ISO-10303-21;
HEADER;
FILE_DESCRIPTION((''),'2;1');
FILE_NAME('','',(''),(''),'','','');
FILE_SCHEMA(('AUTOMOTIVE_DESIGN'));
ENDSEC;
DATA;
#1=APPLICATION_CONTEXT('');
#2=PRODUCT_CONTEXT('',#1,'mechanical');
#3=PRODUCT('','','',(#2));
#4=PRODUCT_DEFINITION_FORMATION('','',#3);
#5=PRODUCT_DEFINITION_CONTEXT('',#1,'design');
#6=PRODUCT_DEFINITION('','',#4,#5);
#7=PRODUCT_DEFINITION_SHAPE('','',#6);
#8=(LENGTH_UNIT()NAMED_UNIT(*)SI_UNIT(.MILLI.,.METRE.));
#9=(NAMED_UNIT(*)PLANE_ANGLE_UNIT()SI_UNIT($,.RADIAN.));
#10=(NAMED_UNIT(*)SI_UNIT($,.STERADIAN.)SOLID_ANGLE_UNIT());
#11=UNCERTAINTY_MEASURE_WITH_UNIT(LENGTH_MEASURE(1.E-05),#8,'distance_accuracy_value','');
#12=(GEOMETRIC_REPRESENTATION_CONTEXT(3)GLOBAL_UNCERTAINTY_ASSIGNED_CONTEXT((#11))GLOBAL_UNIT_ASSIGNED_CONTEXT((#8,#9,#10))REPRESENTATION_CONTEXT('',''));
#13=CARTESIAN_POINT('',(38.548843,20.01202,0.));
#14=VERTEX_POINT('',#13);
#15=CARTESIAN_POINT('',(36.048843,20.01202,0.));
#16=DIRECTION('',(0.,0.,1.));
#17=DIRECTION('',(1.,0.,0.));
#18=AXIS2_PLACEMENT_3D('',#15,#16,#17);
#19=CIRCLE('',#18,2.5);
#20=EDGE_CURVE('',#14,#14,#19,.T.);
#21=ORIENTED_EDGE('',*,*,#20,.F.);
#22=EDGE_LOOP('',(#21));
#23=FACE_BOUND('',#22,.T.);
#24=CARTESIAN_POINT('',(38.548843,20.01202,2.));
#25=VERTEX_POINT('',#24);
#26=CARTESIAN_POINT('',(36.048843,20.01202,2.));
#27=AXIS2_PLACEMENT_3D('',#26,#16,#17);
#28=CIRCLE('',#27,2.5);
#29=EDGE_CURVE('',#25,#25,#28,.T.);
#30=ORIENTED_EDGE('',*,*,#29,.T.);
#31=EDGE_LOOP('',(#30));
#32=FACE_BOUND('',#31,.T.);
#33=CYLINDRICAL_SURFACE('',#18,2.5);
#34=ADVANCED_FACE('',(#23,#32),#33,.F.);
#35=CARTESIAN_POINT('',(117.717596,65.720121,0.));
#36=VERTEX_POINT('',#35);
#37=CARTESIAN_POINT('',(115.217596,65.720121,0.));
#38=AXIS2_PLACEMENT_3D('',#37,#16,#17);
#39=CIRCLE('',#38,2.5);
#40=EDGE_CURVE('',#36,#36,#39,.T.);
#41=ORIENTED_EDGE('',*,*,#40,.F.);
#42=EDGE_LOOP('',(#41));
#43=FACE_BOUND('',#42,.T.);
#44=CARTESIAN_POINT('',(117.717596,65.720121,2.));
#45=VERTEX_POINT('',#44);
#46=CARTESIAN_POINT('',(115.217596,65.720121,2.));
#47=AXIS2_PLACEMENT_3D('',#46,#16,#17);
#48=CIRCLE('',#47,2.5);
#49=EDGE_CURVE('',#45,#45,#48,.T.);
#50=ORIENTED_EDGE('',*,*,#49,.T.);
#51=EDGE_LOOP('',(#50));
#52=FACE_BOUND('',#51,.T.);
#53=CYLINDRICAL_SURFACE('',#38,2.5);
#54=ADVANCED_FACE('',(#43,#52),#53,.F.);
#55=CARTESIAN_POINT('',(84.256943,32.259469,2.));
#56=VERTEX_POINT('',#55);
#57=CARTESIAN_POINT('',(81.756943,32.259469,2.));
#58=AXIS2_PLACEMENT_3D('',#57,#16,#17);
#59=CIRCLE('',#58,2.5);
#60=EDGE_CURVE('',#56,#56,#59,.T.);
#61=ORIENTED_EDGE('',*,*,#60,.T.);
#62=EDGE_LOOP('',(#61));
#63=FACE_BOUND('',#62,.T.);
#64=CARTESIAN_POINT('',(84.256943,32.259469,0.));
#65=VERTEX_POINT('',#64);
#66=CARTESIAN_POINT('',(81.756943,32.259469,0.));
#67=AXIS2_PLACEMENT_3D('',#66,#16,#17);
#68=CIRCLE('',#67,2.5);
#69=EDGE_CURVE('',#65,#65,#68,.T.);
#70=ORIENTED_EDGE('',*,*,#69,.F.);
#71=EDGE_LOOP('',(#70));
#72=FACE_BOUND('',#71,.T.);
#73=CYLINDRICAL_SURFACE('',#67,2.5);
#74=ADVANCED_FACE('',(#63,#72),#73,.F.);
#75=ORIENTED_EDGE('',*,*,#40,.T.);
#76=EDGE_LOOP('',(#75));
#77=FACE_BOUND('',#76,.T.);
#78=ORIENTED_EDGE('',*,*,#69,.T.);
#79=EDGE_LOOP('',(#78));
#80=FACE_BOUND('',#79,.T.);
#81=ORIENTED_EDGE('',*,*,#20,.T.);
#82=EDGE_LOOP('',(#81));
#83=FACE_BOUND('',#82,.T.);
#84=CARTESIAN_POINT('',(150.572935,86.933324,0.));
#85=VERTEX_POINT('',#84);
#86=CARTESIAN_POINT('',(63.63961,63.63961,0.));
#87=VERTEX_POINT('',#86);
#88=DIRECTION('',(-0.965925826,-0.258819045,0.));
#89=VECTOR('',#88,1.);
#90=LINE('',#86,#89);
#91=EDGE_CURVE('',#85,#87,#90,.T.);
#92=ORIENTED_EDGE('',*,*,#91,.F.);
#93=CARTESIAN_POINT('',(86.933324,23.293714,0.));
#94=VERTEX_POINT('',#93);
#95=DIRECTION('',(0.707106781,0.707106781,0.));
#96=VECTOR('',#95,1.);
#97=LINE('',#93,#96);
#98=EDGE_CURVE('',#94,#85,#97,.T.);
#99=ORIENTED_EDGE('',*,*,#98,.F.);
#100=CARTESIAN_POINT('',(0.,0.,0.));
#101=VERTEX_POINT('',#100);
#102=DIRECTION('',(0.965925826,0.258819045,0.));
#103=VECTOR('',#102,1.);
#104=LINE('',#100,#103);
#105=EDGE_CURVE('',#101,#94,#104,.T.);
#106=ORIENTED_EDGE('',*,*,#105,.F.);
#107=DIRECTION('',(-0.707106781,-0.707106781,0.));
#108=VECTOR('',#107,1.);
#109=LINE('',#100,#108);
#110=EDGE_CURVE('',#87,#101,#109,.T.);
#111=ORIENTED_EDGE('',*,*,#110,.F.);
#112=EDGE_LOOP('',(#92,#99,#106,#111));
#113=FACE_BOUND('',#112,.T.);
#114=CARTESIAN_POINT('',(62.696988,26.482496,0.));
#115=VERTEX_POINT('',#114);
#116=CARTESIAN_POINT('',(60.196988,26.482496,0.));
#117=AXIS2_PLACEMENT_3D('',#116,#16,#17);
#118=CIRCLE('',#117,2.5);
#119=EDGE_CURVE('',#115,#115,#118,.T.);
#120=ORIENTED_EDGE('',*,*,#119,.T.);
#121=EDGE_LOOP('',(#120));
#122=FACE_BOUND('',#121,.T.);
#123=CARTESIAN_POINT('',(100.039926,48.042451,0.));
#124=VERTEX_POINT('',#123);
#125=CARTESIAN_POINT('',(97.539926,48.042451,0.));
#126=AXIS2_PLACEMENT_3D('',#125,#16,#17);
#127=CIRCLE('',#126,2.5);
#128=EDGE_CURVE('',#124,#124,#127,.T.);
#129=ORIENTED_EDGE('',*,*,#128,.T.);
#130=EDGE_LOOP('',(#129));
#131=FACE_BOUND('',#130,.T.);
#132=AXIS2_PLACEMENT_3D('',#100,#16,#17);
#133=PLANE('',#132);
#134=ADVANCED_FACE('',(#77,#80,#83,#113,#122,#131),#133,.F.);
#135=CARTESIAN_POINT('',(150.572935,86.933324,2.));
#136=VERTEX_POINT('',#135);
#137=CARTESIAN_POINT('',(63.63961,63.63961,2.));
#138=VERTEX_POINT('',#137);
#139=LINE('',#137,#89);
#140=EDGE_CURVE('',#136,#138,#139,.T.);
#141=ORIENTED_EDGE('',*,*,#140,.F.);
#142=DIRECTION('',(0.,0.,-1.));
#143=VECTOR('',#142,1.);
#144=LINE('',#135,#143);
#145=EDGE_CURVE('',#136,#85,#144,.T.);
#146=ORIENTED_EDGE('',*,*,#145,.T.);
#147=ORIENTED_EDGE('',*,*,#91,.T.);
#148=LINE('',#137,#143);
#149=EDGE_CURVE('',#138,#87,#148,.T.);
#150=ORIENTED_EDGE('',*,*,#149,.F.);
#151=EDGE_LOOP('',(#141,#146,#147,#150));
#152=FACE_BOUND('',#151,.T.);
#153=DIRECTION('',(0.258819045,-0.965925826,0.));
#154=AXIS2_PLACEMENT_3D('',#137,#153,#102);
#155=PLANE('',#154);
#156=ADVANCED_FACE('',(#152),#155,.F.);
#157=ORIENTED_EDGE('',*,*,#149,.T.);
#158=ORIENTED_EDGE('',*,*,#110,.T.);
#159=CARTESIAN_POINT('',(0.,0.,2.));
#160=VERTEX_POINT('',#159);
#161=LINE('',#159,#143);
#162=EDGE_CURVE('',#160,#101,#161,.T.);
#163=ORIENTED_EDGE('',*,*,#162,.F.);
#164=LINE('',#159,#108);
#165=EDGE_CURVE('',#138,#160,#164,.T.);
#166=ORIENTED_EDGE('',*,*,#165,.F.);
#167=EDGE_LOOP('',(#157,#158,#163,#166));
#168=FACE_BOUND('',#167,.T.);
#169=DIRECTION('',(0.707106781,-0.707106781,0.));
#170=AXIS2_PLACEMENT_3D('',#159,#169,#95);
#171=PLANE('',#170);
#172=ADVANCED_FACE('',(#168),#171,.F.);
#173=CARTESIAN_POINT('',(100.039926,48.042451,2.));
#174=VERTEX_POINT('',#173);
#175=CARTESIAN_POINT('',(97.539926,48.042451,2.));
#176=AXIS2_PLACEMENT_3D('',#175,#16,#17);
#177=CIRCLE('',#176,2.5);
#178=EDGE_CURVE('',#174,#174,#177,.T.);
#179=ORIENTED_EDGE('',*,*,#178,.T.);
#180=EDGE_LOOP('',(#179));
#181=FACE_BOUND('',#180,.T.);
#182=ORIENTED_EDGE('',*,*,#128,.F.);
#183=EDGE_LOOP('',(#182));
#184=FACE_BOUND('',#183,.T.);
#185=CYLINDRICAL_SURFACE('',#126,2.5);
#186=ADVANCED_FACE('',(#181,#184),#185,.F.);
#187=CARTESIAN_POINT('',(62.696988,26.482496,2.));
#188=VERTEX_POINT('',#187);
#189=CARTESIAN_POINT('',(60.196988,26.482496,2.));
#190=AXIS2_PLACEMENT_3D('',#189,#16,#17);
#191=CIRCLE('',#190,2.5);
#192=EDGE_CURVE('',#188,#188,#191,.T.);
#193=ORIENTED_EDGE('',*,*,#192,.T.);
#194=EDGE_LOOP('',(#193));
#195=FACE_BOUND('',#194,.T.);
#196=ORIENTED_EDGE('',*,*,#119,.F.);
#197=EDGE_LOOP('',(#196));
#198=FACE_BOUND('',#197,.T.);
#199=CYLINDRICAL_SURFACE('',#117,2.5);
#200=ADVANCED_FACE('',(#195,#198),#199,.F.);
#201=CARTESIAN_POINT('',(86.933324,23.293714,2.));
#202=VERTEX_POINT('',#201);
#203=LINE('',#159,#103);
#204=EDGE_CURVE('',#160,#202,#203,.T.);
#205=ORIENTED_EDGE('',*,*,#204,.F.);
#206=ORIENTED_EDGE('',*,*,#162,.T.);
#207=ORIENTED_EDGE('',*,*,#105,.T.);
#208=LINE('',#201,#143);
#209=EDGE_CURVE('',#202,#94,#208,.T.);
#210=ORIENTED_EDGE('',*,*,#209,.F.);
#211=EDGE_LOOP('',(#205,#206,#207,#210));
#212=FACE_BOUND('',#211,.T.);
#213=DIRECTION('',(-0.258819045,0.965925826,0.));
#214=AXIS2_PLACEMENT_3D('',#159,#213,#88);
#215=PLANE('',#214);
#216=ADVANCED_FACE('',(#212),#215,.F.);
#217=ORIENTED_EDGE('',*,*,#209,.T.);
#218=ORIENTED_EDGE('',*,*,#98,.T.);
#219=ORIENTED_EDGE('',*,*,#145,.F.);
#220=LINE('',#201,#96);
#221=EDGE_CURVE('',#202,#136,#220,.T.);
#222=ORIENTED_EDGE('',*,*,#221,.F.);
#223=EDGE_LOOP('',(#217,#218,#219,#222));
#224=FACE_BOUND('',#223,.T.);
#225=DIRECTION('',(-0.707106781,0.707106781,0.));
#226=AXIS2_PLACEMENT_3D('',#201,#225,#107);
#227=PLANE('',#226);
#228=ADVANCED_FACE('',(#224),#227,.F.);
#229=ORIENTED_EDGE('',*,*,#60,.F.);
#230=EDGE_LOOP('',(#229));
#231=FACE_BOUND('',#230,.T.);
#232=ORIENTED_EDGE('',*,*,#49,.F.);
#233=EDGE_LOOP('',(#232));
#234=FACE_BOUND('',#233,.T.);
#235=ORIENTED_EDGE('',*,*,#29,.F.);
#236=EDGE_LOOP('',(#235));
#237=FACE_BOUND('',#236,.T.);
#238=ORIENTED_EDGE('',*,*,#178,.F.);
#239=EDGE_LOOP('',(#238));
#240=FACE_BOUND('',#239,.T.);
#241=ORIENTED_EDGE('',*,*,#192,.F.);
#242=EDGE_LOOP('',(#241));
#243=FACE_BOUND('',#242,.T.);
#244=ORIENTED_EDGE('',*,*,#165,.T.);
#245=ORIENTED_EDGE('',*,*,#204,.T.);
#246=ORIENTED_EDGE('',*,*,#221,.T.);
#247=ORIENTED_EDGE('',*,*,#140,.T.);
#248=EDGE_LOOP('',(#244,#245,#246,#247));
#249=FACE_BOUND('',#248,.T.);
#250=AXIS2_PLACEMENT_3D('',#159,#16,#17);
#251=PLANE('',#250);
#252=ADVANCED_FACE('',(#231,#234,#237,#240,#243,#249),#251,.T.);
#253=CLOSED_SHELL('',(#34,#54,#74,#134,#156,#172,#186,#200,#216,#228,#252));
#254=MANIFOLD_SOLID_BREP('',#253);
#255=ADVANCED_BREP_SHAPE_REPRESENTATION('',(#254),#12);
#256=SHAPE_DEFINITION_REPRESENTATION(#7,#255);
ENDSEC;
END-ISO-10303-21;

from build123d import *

# Parameters (mm, degrees)
BOSS_EXTRUDE2_DEPTH = 2
SKETCH7_R           = 2.5
CUT_EXTRUDE6_DEPTH  = 2
SKETCH8_R           = 2.5
CUT_EXTRUDE7_DEPTH  = 2
SKETCH9_R           = 2.5
CUT_EXTRUDE8_DEPTH  = 2
SKETCH10_R          = 2.5
CUT_EXTRUDE9_DEPTH  = 2
CUT_EXTRUDE10_DEPTH = 2


with BuildPart() as part:
    # Sketch1 → Boss-Extrude2 (new body)
    with BuildSketch(Plane.XY):
        Polygon((0, 0), (63.639610307, 63.639610307), (150.572934673, 86.933324366), (86.933324366, 23.293714059), align=None)
    extrude(amount=BOSS_EXTRUDE2_DEPTH)

    # Sketch7 → Cut-Extrude6 (cut)
    with BuildSketch(Plane.XY.offset(2)):
        with Locations((115.217595613, 65.72012093)):
            Circle(SKETCH7_R)
    extrude(amount=-CUT_EXTRUDE6_DEPTH, mode=Mode.SUBTRACT)

    # Sketch8 → Cut-Extrude7 (cut)
    with BuildSketch(Plane.XY.offset(2)):
        with Locations((97.539926084, 48.042451401)):
            Circle(SKETCH8_R)
    extrude(amount=-CUT_EXTRUDE7_DEPTH, mode=Mode.SUBTRACT)

    # Sketch9 → Cut-Extrude8 (cut)
    with BuildSketch(Plane.XY.offset(2)):
        with Locations((60.196988258, 26.482496195)):
            Circle(SKETCH9_R)
    extrude(amount=-CUT_EXTRUDE8_DEPTH, mode=Mode.SUBTRACT)

    # Sketch10 → Cut-Extrude9 (cut)
    with BuildSketch(Plane.XY.offset(2)):
        with Locations((36.048842601, 20.012020067)):
            Circle(SKETCH10_R)
    extrude(amount=-CUT_EXTRUDE9_DEPTH, mode=Mode.SUBTRACT)

    # Sketch11 → Cut-Extrude10 (cut)
    with BuildSketch(Plane.XY.offset(2)):
        with BuildLine():
            Line((81.756943464, 32.259468781), (80.506943464, 34.42453229))
            ThreePointArc((80.506943464, 34.42453229), (79.591879955, 31.009468781), (83.006943464, 30.094405271))
            Line((83.006943464, 30.094405271), (81.756943464, 32.259468781))
        make_face()
        with BuildLine():
            ThreePointArc((84.256943464, 32.259468781), (84.066642295, 33.216177362), (83.524710417, 34.027235734))
            Line((83.524710417, 34.027235734), (81.756943464, 32.259468781))
            Line((81.756943464, 32.259468781), (83.006943464, 30.094405271))
            ThreePointArc((83.006943464, 30.094405271), (83.922006973, 31.009468781), (84.256943464, 32.259468781))
        make_face()
        with BuildLine():
            Line((81.756943464, 32.259468781), (83.524710417, 34.027235734))
            ThreePointArc((83.524710417, 34.027235734), (82.083258945, 34.738080934), (80.506943464, 34.42453229))
            Line((80.506943464, 34.42453229), (81.756943464, 32.259468781))
        make_face()
    extrude(amount=-CUT_EXTRUDE10_DEPTH, mode=Mode.SUBTRACT)


solid = part.part
